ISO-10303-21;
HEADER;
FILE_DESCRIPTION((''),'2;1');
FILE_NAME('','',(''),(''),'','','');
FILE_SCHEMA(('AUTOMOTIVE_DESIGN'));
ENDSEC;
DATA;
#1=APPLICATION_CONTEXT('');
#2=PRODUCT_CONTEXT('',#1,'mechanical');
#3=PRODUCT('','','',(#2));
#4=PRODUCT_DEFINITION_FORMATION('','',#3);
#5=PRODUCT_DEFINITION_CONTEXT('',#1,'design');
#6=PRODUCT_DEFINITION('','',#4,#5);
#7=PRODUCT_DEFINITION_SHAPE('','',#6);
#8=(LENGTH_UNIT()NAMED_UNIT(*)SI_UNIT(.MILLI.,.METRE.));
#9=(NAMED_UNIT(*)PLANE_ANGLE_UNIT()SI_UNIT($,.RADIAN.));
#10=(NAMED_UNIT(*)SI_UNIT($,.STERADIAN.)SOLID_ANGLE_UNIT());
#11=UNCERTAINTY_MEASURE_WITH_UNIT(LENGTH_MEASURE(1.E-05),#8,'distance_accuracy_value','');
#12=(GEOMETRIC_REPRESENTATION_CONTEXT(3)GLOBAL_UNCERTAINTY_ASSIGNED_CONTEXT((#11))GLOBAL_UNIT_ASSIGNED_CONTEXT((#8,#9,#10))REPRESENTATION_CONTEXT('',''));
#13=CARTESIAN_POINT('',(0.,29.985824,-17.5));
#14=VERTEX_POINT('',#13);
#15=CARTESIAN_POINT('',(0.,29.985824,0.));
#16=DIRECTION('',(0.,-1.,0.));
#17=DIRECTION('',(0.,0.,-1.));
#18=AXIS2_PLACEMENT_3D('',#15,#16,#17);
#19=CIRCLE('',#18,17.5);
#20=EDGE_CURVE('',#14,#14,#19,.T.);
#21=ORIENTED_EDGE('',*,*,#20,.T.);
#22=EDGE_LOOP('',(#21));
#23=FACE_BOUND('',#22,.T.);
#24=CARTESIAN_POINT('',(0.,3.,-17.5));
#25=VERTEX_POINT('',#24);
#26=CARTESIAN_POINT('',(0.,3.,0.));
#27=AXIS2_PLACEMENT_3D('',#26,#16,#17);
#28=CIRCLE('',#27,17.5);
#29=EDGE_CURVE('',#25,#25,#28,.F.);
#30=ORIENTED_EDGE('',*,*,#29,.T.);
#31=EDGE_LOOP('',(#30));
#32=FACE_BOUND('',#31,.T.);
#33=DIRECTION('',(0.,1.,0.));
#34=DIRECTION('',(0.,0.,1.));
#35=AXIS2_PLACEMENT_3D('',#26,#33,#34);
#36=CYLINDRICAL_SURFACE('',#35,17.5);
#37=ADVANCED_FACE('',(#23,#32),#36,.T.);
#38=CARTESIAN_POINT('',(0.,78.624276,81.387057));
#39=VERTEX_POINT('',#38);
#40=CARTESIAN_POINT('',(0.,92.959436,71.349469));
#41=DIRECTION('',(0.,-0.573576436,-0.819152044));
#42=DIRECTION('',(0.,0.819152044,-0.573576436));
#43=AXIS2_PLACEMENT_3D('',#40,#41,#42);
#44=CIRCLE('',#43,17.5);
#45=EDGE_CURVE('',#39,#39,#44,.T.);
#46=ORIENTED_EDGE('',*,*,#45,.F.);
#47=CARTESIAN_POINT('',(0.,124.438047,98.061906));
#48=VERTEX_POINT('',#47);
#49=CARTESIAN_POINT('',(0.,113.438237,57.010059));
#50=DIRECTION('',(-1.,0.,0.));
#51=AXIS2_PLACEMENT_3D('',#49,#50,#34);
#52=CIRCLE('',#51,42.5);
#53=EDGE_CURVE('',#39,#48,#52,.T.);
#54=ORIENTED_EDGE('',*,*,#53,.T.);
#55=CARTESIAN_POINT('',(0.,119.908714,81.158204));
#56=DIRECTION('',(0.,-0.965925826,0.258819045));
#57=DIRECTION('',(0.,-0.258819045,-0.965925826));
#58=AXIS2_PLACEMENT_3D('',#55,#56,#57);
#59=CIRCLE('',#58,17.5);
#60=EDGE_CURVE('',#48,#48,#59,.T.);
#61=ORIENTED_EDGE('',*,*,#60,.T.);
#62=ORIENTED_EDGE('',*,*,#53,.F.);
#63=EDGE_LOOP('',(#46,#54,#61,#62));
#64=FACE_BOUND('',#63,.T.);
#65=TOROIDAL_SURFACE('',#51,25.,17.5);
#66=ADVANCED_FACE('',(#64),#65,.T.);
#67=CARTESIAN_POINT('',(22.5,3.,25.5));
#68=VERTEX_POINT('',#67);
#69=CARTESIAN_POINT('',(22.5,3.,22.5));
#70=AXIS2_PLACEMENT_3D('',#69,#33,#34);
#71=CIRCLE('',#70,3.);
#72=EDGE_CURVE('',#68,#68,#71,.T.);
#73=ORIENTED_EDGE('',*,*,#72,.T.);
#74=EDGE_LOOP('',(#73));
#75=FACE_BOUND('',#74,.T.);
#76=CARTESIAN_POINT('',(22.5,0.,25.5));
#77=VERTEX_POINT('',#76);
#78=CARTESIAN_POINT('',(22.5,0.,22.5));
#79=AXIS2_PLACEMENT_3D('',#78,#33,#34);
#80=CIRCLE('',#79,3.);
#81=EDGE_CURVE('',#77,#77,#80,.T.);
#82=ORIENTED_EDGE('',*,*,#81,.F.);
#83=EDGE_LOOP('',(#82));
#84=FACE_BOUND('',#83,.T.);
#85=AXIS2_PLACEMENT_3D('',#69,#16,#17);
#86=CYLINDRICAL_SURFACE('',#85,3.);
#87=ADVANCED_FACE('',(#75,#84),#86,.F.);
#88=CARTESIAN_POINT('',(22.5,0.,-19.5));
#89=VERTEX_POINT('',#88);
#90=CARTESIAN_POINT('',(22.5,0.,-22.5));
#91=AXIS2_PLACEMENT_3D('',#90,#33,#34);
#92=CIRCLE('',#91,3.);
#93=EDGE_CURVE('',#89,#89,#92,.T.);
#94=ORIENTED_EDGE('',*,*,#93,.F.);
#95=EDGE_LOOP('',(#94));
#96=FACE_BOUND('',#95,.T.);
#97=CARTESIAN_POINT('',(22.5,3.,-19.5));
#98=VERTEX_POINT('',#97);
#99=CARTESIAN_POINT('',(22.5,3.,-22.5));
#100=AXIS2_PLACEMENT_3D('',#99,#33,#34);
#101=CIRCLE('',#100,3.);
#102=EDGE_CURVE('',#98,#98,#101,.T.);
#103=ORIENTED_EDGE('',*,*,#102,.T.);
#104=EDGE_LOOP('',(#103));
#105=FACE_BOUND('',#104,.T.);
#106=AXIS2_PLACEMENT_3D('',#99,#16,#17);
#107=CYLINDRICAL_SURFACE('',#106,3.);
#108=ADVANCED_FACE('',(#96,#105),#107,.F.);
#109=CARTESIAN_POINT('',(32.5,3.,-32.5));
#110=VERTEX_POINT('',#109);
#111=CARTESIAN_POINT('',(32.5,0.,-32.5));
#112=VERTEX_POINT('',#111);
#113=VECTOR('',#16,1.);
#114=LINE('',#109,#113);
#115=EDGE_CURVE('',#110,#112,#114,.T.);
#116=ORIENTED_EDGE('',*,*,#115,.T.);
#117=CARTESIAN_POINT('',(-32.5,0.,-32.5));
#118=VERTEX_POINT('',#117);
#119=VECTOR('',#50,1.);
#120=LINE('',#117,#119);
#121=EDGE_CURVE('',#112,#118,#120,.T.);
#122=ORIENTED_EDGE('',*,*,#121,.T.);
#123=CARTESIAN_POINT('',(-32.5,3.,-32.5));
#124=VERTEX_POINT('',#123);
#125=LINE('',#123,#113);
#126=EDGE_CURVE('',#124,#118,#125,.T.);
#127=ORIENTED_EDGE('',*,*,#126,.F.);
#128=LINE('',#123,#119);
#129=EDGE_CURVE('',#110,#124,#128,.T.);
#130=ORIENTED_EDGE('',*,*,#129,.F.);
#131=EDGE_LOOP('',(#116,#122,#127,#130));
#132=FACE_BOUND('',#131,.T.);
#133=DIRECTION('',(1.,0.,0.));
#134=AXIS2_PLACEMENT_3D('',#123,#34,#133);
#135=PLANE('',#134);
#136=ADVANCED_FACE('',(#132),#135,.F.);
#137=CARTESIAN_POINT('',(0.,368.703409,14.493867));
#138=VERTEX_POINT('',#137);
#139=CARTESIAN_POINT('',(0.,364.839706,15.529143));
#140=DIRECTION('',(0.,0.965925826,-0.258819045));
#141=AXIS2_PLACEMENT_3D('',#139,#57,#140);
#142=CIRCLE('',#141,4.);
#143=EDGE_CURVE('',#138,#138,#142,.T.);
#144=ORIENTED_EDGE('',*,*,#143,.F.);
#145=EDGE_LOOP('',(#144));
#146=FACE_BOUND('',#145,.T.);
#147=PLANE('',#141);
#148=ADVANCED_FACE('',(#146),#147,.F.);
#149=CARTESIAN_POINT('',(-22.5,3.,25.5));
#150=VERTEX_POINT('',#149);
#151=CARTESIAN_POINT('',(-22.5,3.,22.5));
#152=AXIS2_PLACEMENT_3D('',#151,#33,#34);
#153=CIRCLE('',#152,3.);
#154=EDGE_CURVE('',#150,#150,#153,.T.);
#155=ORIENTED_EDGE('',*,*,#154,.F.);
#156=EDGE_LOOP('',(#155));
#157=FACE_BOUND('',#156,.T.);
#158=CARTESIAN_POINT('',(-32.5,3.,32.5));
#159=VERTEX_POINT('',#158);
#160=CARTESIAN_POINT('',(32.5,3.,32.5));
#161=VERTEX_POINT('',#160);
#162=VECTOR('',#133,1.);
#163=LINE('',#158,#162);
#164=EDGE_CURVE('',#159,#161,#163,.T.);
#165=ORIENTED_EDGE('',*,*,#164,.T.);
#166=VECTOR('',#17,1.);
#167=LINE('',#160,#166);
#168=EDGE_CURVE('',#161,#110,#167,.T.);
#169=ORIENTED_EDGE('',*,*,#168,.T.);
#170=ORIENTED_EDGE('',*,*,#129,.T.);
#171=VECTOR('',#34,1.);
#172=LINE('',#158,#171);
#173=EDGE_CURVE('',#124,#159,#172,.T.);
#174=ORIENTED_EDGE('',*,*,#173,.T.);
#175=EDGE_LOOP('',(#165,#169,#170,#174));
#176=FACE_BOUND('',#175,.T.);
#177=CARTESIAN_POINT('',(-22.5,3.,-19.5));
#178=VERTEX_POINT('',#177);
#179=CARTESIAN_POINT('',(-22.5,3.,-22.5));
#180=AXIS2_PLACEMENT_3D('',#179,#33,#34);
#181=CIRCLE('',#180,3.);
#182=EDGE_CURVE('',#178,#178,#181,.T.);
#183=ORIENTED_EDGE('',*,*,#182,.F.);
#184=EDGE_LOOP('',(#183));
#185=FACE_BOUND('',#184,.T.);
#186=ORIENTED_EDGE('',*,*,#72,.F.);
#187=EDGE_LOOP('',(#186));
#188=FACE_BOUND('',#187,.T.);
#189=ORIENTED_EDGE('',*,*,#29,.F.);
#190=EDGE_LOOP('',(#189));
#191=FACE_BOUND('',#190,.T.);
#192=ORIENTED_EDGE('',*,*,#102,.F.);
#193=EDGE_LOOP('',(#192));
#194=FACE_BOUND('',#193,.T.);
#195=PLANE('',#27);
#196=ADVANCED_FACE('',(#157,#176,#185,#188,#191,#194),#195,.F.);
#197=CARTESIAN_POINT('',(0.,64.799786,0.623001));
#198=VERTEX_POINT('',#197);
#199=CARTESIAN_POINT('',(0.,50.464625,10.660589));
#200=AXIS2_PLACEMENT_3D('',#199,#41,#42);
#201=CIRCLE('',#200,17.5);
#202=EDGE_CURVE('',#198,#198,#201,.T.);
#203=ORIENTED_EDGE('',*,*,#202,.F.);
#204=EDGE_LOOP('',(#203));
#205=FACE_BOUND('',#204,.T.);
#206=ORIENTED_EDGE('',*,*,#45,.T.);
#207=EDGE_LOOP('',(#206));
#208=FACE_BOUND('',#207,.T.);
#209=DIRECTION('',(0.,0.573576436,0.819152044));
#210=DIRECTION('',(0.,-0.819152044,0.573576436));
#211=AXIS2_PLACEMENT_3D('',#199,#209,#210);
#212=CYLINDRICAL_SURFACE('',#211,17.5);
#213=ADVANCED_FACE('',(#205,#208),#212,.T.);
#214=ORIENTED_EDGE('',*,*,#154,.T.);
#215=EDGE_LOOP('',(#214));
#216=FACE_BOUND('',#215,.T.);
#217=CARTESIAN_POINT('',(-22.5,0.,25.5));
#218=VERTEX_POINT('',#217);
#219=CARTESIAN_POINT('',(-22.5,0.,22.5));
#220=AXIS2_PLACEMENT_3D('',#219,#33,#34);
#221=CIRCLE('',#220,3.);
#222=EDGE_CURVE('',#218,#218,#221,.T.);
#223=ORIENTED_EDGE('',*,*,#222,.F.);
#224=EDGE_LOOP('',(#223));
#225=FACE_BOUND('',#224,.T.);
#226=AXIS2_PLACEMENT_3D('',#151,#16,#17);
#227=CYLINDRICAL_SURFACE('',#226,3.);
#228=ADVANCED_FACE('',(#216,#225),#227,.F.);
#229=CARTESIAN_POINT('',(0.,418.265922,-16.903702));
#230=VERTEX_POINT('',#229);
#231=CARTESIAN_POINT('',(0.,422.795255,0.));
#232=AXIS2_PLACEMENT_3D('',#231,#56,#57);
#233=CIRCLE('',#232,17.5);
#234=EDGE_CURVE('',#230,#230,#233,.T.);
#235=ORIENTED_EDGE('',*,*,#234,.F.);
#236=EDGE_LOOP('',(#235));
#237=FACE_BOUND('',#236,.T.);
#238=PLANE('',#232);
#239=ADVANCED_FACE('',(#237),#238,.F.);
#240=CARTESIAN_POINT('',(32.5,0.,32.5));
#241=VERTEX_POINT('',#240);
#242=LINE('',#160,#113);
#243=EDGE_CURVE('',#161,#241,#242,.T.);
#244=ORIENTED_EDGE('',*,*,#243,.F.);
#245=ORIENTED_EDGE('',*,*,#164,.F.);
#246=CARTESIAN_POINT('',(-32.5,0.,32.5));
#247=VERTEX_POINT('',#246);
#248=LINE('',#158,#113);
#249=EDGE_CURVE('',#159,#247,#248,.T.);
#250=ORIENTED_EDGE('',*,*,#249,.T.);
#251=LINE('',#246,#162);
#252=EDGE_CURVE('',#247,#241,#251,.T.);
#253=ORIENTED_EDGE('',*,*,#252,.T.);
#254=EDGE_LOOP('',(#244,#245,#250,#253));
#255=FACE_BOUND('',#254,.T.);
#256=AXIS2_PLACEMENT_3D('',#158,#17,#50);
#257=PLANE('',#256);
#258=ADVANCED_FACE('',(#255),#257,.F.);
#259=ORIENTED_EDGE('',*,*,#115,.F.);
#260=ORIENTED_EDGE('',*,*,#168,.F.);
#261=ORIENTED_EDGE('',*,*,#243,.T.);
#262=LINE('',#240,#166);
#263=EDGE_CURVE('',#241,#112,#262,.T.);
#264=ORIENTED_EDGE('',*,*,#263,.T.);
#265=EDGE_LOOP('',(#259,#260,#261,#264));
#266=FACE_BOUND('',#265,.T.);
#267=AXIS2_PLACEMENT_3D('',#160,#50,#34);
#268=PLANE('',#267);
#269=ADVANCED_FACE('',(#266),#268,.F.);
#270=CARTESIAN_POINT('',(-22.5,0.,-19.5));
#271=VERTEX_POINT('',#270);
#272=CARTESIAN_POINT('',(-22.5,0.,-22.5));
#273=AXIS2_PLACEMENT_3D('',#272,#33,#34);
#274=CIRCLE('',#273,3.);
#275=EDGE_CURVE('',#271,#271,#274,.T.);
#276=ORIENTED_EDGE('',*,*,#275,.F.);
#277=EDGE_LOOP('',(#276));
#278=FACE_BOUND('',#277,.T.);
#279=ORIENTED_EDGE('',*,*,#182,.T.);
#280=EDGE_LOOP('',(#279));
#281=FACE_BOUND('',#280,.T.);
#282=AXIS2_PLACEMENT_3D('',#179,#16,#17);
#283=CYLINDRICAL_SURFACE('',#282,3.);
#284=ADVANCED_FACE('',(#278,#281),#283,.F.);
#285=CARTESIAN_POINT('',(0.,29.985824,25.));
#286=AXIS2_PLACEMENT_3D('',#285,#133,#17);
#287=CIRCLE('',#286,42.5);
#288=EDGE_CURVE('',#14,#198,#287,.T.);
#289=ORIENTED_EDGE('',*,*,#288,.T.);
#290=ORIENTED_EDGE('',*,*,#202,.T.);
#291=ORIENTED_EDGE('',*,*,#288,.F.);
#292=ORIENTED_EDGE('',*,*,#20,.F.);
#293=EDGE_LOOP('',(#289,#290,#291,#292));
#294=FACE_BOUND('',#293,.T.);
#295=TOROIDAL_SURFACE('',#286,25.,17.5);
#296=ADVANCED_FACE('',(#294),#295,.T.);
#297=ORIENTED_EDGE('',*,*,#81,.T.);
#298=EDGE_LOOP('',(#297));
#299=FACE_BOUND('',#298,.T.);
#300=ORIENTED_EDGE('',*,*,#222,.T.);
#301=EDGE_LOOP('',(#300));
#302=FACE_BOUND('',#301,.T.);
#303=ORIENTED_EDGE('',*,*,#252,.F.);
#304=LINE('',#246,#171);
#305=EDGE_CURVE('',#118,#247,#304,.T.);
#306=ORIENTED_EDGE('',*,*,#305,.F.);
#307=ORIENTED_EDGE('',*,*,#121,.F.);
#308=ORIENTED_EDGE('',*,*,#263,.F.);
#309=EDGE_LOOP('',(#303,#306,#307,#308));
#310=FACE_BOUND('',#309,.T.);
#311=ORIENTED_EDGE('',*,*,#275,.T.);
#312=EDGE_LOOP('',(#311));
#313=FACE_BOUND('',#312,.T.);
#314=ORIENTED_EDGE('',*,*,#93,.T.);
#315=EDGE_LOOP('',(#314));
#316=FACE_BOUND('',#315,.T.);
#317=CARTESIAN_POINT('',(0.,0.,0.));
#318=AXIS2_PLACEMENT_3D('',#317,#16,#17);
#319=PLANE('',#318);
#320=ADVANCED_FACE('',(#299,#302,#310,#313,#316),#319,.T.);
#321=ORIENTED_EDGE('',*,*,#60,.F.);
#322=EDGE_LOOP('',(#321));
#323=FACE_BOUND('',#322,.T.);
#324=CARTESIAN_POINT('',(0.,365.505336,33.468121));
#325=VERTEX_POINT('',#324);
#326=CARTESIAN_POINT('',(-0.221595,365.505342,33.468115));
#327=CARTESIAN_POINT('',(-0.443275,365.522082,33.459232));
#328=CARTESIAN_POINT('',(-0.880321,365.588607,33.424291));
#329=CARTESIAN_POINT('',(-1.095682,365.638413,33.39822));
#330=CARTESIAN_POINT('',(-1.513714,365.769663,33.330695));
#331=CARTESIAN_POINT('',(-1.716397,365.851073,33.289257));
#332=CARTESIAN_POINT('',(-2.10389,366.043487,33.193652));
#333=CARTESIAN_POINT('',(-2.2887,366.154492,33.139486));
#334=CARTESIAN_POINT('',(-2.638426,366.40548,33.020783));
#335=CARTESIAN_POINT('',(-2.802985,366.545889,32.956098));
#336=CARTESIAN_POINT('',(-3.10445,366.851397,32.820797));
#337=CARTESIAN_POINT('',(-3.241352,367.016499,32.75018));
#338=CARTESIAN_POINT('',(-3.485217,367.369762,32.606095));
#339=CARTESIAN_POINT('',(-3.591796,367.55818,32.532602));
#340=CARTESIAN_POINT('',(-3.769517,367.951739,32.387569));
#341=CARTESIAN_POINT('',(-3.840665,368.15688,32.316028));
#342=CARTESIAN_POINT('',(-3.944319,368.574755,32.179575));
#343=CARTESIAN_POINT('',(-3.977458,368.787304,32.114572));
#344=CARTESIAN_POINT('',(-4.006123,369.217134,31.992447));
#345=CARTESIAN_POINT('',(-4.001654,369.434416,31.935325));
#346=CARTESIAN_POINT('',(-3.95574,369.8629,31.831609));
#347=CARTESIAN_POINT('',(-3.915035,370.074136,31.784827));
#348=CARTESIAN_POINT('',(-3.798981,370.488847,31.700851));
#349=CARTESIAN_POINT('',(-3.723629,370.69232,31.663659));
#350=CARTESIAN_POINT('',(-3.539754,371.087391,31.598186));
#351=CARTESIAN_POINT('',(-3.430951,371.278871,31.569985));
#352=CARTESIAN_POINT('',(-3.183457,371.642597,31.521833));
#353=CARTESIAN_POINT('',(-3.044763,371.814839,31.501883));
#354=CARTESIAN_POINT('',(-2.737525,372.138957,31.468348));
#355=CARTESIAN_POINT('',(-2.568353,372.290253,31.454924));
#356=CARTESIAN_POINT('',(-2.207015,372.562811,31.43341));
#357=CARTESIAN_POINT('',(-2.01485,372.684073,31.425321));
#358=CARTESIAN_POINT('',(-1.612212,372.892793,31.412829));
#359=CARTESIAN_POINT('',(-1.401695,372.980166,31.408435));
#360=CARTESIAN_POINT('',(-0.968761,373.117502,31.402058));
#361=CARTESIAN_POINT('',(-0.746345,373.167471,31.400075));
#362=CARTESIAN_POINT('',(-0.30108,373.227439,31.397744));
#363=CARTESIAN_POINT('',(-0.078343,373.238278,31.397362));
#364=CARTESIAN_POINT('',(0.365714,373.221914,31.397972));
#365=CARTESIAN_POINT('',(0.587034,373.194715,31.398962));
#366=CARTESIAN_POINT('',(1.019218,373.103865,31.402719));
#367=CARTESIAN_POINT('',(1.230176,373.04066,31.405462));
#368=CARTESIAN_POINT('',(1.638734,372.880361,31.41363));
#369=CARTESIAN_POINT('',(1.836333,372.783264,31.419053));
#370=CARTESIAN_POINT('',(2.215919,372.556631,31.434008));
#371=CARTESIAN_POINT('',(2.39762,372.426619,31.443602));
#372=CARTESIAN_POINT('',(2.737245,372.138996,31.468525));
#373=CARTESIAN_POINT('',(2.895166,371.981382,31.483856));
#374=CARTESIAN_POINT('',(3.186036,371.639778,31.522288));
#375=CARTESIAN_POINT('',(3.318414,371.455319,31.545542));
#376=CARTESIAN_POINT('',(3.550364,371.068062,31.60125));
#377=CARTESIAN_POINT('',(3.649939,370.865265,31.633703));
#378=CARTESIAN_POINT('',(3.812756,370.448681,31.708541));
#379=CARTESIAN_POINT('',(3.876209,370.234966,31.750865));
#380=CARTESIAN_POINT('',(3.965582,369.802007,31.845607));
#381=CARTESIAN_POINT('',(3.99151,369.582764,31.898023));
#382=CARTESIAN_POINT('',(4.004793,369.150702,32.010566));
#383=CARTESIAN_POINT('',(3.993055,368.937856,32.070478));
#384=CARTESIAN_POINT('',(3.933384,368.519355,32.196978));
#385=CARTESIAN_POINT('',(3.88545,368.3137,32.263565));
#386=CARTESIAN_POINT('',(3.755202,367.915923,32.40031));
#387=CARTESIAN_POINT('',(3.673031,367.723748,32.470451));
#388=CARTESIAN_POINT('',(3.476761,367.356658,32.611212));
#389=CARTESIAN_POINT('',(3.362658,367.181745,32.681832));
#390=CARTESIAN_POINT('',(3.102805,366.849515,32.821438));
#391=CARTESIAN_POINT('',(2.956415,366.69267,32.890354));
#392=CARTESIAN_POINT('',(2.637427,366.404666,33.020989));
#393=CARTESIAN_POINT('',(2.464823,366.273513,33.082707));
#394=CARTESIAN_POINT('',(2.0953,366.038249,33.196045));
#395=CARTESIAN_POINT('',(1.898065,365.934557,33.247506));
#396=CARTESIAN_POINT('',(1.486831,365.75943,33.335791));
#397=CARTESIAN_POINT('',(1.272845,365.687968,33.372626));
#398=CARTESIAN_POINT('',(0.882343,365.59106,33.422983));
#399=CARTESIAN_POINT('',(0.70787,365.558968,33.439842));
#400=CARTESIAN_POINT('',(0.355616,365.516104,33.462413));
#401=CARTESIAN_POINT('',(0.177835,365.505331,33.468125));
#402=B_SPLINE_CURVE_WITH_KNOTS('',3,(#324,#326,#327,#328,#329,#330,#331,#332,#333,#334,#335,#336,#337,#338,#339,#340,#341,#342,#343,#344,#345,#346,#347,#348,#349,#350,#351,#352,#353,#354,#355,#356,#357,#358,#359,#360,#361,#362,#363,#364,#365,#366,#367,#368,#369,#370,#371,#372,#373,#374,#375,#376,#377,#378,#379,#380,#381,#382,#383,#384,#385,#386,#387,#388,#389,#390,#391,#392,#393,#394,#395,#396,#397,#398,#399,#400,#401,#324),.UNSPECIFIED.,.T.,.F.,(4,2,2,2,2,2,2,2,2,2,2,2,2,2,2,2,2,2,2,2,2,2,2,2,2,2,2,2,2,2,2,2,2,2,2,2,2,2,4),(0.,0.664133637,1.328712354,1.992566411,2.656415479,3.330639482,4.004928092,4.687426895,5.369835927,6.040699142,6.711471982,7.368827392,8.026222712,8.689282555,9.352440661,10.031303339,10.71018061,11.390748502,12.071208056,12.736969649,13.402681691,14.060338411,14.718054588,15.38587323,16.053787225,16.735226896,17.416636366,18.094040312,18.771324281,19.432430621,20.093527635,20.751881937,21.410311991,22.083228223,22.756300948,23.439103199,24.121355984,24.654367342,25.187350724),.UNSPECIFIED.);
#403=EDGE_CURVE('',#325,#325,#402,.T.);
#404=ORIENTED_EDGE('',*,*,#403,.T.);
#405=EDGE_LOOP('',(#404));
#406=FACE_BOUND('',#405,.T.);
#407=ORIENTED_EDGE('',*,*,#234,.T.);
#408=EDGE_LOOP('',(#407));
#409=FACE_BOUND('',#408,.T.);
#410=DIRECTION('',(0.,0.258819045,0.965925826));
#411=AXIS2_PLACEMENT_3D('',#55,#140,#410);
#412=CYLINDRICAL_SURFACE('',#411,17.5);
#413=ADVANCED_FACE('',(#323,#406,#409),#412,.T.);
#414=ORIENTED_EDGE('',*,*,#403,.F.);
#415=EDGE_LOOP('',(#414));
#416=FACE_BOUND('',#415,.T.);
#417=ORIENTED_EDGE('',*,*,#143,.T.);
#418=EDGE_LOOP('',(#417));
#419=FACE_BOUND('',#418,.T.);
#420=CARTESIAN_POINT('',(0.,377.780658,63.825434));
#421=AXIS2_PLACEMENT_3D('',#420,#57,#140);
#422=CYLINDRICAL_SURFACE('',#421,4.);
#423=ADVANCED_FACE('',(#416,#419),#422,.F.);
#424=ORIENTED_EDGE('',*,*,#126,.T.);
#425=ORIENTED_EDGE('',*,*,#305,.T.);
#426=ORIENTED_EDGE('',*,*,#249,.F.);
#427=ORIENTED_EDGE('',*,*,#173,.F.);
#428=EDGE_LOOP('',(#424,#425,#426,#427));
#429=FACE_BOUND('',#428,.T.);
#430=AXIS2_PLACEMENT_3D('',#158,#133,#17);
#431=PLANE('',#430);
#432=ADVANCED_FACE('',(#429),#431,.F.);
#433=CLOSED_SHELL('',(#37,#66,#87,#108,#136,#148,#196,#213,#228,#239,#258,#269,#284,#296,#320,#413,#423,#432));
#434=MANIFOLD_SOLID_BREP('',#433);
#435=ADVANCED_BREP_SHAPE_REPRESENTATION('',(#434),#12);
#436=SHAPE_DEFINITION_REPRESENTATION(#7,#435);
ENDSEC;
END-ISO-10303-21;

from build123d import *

# Parameters (mm, degrees)
SKETCH_1_W          = 65
SKETCH_1_H          = 65
SKETCH_1_R          = 3
EXTRUDE_1_DEPTH     = 3
SWEEP_1_PROFILE_R   = 17.5
SKETCH_31_R         = 4
CUT_EXTRUDE_1_DEPTH = 50


with BuildPart() as part:
    # 草图1 → 凸台-拉伸1 (new body)
    with BuildSketch(Plane(origin=(0, 0, 0), x_dir=(1, 0, 0), z_dir=(0, 1, 0))):
        Rectangle(SKETCH_1_W, SKETCH_1_H)
        with Locations(Location((22.5, -22.5, 0), (0, 0, 270))):
            Circle(SKETCH_1_R, mode=Mode.SUBTRACT)
        with Locations(Location((-22.5, -22.5, 0), (0, 0, 270))):
            Circle(SKETCH_1_R, mode=Mode.SUBTRACT)
        with Locations(Location((-22.5, 22.5, 0), (0, 0, 270))):
            Circle(SKETCH_1_R, mode=Mode.SUBTRACT)
        with Locations(Location((22.5, 22.5, 0), (0, 0, 270))):
            Circle(SKETCH_1_R, mode=Mode.SUBTRACT)
    extrude(amount=EXTRUDE_1_DEPTH)

    # 扫描1: sweep along a path in 草图2
    with BuildLine(Plane(origin=(0, 0, 0), x_dir=(0, 0, -1), z_dir=(1, 0, 0))) as sweep_1_path:
        Line((0, 3), (0, 29.985823736))
        ThreePointArc((0, 29.985823736), (-2.824729171, 41.529539067), (-10.660589091, 50.464624843))
        Line((-10.660589091, 50.464624843), (-71.349469496, 92.959436388))
        ThreePointArc((-71.349469496, 92.959436388), (-80.502374107, 104.887733912), (-81.158204244, 119.908713623))
        Line((-81.158204244, 119.908713623), (0, 422.795255313))
    # 扫描1 profile (on start of the path) → 扫描1 (sweep)
    with BuildSketch(Plane.ZX.offset(3)):
        Circle(SWEEP_1_PROFILE_R)
    sweep(path=sweep_1_path.line)

    # 草图31 → 切除-拉伸1 (cut)
    with BuildSketch(Plane(origin=(0, 28.321911806, 105.698813828), x_dir=(0, 0.9659258262890683, -0.2588190451025209), z_dir=(0, -0.2588190451025209, -0.9659258262890683))):
        with Locations((348.38885634, 0)):
            Circle(SKETCH_31_R)
    extrude(amount=-CUT_EXTRUDE_1_DEPTH, mode=Mode.SUBTRACT)


solid = part.part
